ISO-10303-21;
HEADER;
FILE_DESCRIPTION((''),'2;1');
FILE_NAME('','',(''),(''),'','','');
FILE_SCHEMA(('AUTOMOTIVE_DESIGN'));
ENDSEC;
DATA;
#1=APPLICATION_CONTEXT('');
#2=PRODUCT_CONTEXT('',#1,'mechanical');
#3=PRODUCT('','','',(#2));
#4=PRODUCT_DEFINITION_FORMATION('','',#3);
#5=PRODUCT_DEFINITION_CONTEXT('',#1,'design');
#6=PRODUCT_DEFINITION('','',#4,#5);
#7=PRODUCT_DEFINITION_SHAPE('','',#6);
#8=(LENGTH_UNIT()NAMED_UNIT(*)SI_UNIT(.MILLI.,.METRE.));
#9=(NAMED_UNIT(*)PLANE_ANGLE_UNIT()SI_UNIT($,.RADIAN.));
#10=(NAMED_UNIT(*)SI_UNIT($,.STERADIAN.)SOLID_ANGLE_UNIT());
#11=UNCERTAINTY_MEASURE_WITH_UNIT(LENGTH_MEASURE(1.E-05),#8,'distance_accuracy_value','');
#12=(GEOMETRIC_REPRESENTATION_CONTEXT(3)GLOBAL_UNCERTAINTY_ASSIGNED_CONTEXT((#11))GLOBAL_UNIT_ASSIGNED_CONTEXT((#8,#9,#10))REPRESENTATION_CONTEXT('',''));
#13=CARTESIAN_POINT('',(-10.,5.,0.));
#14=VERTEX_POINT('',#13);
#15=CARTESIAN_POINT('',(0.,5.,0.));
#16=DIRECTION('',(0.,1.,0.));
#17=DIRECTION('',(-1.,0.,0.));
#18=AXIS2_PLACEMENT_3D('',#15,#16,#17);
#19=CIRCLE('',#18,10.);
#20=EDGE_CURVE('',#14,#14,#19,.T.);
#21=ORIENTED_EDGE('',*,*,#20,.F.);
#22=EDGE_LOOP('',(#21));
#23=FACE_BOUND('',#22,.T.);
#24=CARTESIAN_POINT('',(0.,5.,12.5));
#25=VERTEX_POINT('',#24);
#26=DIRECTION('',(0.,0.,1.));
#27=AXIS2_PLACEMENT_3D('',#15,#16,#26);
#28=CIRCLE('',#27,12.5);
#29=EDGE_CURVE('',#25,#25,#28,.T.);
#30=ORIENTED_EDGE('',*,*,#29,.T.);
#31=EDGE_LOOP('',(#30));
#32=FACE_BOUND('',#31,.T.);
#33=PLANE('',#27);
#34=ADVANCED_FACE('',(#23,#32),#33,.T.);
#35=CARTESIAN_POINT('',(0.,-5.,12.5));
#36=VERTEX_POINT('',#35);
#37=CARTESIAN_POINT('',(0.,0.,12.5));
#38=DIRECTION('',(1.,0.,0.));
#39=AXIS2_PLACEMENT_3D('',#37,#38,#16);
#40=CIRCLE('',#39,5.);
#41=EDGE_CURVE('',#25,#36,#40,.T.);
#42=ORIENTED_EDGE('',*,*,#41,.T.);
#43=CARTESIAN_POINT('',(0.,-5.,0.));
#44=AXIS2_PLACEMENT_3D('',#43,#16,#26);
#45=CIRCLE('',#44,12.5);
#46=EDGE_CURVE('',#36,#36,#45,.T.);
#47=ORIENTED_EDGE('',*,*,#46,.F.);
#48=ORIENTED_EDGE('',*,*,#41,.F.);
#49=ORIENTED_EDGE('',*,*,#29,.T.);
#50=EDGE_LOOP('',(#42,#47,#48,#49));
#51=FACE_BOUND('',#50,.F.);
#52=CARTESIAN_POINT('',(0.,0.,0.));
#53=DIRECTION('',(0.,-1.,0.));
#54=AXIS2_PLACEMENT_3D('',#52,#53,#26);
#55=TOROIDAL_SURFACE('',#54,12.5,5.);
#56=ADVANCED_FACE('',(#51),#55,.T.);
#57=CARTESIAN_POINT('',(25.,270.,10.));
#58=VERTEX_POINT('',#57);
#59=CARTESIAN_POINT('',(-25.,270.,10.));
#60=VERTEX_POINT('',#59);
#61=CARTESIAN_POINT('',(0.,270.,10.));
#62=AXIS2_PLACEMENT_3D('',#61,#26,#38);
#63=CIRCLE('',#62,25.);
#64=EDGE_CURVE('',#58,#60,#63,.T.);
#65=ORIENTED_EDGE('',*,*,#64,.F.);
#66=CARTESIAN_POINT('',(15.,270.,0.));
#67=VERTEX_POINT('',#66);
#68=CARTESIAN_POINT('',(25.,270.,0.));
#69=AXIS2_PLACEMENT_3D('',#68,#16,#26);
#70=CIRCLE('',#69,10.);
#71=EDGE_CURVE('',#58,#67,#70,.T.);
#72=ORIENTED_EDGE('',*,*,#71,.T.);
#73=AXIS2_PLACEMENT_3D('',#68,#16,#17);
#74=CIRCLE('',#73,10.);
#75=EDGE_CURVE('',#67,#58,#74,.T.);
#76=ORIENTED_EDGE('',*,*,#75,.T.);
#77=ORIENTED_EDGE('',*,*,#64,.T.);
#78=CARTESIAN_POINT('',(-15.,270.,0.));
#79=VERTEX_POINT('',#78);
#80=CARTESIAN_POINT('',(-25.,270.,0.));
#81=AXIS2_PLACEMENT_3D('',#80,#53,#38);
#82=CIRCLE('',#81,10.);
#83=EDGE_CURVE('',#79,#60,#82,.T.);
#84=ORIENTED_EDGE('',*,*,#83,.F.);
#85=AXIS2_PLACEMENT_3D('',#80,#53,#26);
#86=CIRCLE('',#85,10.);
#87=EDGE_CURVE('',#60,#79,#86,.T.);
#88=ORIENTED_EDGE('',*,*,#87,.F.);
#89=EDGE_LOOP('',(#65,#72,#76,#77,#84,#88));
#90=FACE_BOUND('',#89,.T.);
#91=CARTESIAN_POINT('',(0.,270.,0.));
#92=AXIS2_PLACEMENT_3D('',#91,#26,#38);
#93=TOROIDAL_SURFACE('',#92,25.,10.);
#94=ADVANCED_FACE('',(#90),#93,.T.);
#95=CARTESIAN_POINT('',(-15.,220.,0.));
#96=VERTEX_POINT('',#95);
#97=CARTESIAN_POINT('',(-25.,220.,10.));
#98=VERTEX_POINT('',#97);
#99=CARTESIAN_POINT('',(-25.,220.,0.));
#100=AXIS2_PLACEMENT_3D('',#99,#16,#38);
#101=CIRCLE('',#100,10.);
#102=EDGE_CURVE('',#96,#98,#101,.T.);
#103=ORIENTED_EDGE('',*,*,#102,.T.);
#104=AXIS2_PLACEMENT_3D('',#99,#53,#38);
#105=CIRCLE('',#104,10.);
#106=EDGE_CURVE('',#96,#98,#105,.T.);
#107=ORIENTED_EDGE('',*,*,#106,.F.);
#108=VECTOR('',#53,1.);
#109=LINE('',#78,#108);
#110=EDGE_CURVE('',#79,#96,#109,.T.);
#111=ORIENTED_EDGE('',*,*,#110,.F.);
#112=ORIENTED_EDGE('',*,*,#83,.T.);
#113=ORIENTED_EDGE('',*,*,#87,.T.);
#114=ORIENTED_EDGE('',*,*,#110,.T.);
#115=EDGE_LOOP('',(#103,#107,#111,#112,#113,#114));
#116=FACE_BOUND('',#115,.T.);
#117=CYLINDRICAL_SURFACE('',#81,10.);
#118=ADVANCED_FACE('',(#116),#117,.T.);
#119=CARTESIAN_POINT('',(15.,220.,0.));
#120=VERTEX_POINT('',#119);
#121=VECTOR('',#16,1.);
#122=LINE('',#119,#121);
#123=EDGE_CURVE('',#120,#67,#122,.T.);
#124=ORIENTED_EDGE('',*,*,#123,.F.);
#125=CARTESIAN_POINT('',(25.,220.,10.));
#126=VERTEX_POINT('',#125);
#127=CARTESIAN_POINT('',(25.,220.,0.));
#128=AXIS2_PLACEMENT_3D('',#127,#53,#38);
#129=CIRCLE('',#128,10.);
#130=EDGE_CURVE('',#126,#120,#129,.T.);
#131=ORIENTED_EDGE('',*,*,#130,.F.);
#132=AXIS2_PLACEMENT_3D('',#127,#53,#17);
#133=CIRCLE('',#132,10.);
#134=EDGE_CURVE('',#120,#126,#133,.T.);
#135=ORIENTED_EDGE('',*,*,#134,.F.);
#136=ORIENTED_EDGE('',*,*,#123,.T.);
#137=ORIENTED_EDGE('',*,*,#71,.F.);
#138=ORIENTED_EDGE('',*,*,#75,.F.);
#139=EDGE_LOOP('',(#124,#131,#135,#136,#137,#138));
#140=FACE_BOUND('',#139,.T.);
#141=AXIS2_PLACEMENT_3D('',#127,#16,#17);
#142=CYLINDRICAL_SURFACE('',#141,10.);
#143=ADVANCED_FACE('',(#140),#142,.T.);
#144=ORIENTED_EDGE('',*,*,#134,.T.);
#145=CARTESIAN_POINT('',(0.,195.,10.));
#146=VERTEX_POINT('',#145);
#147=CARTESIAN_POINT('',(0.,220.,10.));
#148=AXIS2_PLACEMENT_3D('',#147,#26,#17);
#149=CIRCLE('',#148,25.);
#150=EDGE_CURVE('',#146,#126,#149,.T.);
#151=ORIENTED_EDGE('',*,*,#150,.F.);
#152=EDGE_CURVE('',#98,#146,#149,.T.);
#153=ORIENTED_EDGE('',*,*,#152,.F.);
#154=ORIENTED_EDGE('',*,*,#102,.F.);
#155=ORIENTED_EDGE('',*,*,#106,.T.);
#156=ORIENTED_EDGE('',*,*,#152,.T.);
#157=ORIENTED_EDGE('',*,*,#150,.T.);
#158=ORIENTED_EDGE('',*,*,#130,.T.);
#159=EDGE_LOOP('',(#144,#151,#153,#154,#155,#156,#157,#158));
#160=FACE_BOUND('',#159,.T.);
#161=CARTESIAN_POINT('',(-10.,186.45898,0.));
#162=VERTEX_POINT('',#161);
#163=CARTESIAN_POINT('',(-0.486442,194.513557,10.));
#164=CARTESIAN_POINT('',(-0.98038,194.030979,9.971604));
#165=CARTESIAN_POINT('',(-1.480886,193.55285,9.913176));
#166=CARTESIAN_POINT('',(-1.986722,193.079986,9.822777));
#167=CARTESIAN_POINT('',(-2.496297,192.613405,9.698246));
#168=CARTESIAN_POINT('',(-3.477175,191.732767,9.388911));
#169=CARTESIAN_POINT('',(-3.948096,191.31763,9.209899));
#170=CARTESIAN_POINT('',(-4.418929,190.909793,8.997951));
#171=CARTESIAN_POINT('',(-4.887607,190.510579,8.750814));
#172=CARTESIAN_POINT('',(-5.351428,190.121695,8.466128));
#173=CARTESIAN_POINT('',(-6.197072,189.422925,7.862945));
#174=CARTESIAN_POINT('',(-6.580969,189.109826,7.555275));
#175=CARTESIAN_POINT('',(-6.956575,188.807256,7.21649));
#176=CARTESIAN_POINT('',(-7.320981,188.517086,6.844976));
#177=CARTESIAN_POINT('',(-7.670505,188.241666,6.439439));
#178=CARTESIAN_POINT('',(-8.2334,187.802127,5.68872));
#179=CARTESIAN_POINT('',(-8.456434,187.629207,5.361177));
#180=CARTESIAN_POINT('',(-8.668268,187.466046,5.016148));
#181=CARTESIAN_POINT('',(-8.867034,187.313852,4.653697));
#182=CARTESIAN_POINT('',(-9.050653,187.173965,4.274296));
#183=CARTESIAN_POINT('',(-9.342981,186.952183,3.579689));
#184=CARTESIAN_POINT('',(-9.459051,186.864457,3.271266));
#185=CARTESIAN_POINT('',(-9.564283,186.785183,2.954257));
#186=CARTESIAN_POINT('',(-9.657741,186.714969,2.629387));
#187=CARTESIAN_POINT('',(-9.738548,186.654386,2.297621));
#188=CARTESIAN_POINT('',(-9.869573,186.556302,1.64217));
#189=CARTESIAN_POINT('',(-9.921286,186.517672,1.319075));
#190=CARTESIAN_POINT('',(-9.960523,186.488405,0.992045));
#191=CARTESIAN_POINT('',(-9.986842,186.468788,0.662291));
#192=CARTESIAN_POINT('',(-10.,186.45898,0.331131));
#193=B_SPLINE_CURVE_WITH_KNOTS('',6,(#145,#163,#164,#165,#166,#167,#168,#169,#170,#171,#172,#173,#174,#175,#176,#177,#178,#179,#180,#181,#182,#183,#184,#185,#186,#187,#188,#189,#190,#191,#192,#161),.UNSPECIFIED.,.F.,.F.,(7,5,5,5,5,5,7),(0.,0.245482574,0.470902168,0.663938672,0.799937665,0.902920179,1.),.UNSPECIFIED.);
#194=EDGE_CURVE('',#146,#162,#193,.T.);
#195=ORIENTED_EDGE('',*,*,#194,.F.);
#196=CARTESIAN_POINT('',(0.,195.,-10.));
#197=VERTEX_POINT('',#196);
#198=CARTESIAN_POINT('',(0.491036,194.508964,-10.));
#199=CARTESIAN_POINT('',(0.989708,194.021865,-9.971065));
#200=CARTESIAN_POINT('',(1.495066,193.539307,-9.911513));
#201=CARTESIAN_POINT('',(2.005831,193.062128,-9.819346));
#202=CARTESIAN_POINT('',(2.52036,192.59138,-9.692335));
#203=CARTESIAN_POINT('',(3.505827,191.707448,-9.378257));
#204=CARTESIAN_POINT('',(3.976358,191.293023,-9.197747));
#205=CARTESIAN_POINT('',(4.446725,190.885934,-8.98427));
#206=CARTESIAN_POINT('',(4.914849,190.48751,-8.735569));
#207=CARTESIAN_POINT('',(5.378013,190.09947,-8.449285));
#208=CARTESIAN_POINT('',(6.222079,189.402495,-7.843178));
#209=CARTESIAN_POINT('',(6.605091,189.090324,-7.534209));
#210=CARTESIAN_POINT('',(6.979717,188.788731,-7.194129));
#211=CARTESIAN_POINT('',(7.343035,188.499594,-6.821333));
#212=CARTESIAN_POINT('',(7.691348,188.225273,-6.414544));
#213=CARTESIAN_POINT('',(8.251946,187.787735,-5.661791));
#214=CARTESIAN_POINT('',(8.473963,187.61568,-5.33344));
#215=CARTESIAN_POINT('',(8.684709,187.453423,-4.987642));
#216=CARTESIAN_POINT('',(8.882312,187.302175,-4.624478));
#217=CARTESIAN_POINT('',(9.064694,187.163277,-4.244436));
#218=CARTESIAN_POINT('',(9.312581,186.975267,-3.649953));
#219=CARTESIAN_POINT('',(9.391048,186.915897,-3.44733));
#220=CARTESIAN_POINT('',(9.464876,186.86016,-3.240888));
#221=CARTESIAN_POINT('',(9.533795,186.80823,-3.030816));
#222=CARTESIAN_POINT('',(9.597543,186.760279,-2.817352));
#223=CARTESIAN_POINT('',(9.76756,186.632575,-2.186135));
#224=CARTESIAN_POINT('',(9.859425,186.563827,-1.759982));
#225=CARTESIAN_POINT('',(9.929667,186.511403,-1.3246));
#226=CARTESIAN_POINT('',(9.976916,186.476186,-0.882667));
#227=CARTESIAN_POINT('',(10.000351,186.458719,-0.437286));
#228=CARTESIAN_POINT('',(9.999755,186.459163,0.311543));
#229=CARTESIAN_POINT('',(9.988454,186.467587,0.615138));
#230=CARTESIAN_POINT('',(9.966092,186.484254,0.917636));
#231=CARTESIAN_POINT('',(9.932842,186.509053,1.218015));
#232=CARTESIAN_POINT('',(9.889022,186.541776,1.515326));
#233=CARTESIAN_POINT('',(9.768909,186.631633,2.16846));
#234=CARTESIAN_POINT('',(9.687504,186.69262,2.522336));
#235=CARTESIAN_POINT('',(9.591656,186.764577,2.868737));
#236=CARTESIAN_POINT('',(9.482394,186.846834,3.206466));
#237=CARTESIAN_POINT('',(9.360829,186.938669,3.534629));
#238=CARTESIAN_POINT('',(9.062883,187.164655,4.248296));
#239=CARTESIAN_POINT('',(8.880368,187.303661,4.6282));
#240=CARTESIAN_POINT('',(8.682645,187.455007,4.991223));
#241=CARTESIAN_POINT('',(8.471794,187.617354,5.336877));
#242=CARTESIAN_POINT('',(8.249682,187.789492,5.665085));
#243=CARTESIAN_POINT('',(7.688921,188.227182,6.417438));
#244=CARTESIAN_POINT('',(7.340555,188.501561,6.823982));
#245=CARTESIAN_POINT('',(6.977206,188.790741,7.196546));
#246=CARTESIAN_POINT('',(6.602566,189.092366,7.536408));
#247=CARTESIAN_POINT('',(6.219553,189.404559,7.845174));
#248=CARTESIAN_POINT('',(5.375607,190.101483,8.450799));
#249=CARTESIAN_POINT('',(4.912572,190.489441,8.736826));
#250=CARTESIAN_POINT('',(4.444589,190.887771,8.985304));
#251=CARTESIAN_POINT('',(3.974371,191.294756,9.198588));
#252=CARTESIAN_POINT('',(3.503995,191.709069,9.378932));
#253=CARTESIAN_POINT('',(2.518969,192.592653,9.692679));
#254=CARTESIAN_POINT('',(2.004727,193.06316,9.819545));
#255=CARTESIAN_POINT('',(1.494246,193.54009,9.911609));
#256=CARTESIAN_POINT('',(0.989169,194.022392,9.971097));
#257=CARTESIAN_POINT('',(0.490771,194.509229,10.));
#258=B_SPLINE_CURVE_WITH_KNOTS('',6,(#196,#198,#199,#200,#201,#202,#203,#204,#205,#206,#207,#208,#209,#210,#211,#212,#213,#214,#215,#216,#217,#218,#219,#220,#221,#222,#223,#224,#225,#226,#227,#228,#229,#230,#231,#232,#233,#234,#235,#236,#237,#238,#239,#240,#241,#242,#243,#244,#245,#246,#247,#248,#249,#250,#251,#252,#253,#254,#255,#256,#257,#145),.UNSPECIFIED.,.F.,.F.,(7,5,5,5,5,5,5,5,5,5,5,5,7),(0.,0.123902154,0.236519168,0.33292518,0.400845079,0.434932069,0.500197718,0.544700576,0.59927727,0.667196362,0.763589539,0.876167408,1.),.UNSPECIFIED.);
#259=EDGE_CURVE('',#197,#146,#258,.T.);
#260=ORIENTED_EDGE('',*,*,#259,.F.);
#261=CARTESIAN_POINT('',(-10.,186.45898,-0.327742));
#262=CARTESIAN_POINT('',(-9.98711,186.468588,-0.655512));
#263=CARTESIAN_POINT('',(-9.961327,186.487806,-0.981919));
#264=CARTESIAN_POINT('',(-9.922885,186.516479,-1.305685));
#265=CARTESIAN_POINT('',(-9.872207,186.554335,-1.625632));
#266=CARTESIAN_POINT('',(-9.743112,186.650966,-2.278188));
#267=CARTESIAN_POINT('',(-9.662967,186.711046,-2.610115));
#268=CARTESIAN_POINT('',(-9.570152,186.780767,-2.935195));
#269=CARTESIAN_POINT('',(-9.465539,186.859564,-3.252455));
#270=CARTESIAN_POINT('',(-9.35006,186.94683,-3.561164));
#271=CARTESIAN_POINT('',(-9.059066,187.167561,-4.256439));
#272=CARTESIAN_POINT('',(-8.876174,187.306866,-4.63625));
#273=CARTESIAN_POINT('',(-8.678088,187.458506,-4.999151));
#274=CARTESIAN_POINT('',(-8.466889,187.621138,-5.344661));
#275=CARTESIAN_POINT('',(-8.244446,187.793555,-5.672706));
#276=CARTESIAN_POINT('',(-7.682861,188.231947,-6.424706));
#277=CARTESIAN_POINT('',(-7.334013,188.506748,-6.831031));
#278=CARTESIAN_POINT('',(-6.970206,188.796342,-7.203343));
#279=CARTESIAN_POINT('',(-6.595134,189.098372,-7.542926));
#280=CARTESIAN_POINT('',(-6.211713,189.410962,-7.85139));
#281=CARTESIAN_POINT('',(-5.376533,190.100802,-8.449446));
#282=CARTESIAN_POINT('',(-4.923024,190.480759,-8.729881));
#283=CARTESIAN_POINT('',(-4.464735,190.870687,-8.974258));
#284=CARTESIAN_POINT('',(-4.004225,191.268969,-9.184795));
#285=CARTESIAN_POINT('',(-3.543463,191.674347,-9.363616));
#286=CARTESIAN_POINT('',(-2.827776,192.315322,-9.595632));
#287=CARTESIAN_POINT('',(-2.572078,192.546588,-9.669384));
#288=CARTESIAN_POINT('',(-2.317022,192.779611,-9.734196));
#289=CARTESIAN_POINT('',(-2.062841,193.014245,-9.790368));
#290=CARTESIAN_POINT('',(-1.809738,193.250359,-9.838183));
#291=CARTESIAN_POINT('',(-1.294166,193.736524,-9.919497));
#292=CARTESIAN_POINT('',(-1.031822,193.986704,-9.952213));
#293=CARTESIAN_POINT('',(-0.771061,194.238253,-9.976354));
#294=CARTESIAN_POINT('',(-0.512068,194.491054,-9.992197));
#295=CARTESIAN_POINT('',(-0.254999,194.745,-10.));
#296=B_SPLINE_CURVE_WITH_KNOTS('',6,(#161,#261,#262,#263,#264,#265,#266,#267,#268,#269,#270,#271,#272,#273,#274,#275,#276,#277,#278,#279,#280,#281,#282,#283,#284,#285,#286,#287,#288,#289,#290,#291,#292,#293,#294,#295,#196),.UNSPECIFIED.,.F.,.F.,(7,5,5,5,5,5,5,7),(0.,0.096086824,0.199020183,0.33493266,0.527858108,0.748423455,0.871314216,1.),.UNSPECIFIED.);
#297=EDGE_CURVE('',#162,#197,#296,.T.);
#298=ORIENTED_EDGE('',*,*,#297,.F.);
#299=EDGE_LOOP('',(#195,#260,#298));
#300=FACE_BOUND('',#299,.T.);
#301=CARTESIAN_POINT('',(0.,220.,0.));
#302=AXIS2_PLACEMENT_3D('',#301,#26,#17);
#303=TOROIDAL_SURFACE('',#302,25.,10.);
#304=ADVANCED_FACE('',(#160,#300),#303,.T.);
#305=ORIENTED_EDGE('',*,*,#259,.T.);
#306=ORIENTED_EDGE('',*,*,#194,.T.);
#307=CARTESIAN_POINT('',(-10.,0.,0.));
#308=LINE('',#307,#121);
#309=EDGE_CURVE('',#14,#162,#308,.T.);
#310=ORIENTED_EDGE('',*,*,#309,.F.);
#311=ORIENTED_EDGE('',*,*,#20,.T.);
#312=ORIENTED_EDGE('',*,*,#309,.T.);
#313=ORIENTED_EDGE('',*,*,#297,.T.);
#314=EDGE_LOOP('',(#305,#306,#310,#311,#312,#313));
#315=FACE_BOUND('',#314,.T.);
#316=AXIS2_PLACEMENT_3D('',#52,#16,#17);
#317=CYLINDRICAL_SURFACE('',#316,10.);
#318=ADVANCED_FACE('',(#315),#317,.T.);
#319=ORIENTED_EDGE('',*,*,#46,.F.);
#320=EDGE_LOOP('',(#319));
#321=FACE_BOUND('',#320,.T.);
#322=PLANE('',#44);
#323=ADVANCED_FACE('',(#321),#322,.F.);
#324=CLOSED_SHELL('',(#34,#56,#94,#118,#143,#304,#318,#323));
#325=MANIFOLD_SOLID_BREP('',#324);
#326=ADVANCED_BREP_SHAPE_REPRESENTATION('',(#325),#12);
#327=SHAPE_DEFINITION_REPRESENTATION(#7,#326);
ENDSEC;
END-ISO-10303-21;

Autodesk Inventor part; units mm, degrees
ref_plane "YZ Plane" through (0, 0, 0) normal (1, 0, 0) x (0, 1, 0)
ref_plane "XZ Plane" through (0, 0, 0) normal (0, 1, 0) x (-1, 0, 0)
ref_plane "XY Plane" through (0, 0, 0) normal (0, 0, 1) x (1, 0, 0)
sketch "Sketch1" plane through (0, 0, 0) normal (0, 0, 1) x (1, 0, 0)
  line L0 (0, 0) -> (0, 195)
  line L1 (0, 195) -> (0, 295) construction
  line L2 (25, 220) -> (25, 270)
  line L3 (-25, 270) -> (-25, 220)
  arc A0 (-25, 220) -> (25, 220) centre (0, 220) ccw
  arc A1 (25, 270) -> (-25, 270) centre (0, 270) ccw
  point P0 (0, 245)
  dimension "d0" = 195
  dimension "d1" = 100
  dimension "d2" = 50
sketch "Sketch2" plane through (0, 0, 0) normal (0, 1, 0) x (-1, 0, 0)
  circle A0 centre (0, 0) radius 10
  dimension "d3" = 20
sweep "Sweep1" add profiles "Sketch2" path "Sketch1" path curves L0
sketch "Sketch3" plane through (0, 0, 0) normal (1, 0, 0) x (0, 1, 0)
  line L0 (195, -10) -> (195, 10) projected
  circle A0 centre (195, 0) radius 10
  point P0 (0, 0)
  dimension "d6" = 20
sweep "Sweep2" add profiles "Sketch3" path "Sketch1" path curves A0 L3 A1 L2
sketch "Sketch4" plane through (0, 0, 0) normal (1, 0, 0) x (0, 1, 0)
  line L0 (0, 12.5) -> (0, -12.5) construction
  line L1 (5, 12.5) -> (5, -12.5)
  line L2 (-5, -12.5) -> (-5, 12.5)
  arc A0 (5, 12.5) -> (-5, 12.5) centre (0, 12.5) ccw
  arc A1 (-5, -12.5) -> (5, -12.5) centre (0, -12.5) ccw
  line L3 (-5, 0) -> (5, 0)
  point P0 (0, 0)
  dimension "d9" = 25
  dimension "d10" = 5
revolve "Revolution1" add sketch "Sketch4" angle 360 about axis through (0, -5, 0) along (0, 1, 0) contours L1 L3 L2 A0
properties part number "Elo-Bola Longo"
